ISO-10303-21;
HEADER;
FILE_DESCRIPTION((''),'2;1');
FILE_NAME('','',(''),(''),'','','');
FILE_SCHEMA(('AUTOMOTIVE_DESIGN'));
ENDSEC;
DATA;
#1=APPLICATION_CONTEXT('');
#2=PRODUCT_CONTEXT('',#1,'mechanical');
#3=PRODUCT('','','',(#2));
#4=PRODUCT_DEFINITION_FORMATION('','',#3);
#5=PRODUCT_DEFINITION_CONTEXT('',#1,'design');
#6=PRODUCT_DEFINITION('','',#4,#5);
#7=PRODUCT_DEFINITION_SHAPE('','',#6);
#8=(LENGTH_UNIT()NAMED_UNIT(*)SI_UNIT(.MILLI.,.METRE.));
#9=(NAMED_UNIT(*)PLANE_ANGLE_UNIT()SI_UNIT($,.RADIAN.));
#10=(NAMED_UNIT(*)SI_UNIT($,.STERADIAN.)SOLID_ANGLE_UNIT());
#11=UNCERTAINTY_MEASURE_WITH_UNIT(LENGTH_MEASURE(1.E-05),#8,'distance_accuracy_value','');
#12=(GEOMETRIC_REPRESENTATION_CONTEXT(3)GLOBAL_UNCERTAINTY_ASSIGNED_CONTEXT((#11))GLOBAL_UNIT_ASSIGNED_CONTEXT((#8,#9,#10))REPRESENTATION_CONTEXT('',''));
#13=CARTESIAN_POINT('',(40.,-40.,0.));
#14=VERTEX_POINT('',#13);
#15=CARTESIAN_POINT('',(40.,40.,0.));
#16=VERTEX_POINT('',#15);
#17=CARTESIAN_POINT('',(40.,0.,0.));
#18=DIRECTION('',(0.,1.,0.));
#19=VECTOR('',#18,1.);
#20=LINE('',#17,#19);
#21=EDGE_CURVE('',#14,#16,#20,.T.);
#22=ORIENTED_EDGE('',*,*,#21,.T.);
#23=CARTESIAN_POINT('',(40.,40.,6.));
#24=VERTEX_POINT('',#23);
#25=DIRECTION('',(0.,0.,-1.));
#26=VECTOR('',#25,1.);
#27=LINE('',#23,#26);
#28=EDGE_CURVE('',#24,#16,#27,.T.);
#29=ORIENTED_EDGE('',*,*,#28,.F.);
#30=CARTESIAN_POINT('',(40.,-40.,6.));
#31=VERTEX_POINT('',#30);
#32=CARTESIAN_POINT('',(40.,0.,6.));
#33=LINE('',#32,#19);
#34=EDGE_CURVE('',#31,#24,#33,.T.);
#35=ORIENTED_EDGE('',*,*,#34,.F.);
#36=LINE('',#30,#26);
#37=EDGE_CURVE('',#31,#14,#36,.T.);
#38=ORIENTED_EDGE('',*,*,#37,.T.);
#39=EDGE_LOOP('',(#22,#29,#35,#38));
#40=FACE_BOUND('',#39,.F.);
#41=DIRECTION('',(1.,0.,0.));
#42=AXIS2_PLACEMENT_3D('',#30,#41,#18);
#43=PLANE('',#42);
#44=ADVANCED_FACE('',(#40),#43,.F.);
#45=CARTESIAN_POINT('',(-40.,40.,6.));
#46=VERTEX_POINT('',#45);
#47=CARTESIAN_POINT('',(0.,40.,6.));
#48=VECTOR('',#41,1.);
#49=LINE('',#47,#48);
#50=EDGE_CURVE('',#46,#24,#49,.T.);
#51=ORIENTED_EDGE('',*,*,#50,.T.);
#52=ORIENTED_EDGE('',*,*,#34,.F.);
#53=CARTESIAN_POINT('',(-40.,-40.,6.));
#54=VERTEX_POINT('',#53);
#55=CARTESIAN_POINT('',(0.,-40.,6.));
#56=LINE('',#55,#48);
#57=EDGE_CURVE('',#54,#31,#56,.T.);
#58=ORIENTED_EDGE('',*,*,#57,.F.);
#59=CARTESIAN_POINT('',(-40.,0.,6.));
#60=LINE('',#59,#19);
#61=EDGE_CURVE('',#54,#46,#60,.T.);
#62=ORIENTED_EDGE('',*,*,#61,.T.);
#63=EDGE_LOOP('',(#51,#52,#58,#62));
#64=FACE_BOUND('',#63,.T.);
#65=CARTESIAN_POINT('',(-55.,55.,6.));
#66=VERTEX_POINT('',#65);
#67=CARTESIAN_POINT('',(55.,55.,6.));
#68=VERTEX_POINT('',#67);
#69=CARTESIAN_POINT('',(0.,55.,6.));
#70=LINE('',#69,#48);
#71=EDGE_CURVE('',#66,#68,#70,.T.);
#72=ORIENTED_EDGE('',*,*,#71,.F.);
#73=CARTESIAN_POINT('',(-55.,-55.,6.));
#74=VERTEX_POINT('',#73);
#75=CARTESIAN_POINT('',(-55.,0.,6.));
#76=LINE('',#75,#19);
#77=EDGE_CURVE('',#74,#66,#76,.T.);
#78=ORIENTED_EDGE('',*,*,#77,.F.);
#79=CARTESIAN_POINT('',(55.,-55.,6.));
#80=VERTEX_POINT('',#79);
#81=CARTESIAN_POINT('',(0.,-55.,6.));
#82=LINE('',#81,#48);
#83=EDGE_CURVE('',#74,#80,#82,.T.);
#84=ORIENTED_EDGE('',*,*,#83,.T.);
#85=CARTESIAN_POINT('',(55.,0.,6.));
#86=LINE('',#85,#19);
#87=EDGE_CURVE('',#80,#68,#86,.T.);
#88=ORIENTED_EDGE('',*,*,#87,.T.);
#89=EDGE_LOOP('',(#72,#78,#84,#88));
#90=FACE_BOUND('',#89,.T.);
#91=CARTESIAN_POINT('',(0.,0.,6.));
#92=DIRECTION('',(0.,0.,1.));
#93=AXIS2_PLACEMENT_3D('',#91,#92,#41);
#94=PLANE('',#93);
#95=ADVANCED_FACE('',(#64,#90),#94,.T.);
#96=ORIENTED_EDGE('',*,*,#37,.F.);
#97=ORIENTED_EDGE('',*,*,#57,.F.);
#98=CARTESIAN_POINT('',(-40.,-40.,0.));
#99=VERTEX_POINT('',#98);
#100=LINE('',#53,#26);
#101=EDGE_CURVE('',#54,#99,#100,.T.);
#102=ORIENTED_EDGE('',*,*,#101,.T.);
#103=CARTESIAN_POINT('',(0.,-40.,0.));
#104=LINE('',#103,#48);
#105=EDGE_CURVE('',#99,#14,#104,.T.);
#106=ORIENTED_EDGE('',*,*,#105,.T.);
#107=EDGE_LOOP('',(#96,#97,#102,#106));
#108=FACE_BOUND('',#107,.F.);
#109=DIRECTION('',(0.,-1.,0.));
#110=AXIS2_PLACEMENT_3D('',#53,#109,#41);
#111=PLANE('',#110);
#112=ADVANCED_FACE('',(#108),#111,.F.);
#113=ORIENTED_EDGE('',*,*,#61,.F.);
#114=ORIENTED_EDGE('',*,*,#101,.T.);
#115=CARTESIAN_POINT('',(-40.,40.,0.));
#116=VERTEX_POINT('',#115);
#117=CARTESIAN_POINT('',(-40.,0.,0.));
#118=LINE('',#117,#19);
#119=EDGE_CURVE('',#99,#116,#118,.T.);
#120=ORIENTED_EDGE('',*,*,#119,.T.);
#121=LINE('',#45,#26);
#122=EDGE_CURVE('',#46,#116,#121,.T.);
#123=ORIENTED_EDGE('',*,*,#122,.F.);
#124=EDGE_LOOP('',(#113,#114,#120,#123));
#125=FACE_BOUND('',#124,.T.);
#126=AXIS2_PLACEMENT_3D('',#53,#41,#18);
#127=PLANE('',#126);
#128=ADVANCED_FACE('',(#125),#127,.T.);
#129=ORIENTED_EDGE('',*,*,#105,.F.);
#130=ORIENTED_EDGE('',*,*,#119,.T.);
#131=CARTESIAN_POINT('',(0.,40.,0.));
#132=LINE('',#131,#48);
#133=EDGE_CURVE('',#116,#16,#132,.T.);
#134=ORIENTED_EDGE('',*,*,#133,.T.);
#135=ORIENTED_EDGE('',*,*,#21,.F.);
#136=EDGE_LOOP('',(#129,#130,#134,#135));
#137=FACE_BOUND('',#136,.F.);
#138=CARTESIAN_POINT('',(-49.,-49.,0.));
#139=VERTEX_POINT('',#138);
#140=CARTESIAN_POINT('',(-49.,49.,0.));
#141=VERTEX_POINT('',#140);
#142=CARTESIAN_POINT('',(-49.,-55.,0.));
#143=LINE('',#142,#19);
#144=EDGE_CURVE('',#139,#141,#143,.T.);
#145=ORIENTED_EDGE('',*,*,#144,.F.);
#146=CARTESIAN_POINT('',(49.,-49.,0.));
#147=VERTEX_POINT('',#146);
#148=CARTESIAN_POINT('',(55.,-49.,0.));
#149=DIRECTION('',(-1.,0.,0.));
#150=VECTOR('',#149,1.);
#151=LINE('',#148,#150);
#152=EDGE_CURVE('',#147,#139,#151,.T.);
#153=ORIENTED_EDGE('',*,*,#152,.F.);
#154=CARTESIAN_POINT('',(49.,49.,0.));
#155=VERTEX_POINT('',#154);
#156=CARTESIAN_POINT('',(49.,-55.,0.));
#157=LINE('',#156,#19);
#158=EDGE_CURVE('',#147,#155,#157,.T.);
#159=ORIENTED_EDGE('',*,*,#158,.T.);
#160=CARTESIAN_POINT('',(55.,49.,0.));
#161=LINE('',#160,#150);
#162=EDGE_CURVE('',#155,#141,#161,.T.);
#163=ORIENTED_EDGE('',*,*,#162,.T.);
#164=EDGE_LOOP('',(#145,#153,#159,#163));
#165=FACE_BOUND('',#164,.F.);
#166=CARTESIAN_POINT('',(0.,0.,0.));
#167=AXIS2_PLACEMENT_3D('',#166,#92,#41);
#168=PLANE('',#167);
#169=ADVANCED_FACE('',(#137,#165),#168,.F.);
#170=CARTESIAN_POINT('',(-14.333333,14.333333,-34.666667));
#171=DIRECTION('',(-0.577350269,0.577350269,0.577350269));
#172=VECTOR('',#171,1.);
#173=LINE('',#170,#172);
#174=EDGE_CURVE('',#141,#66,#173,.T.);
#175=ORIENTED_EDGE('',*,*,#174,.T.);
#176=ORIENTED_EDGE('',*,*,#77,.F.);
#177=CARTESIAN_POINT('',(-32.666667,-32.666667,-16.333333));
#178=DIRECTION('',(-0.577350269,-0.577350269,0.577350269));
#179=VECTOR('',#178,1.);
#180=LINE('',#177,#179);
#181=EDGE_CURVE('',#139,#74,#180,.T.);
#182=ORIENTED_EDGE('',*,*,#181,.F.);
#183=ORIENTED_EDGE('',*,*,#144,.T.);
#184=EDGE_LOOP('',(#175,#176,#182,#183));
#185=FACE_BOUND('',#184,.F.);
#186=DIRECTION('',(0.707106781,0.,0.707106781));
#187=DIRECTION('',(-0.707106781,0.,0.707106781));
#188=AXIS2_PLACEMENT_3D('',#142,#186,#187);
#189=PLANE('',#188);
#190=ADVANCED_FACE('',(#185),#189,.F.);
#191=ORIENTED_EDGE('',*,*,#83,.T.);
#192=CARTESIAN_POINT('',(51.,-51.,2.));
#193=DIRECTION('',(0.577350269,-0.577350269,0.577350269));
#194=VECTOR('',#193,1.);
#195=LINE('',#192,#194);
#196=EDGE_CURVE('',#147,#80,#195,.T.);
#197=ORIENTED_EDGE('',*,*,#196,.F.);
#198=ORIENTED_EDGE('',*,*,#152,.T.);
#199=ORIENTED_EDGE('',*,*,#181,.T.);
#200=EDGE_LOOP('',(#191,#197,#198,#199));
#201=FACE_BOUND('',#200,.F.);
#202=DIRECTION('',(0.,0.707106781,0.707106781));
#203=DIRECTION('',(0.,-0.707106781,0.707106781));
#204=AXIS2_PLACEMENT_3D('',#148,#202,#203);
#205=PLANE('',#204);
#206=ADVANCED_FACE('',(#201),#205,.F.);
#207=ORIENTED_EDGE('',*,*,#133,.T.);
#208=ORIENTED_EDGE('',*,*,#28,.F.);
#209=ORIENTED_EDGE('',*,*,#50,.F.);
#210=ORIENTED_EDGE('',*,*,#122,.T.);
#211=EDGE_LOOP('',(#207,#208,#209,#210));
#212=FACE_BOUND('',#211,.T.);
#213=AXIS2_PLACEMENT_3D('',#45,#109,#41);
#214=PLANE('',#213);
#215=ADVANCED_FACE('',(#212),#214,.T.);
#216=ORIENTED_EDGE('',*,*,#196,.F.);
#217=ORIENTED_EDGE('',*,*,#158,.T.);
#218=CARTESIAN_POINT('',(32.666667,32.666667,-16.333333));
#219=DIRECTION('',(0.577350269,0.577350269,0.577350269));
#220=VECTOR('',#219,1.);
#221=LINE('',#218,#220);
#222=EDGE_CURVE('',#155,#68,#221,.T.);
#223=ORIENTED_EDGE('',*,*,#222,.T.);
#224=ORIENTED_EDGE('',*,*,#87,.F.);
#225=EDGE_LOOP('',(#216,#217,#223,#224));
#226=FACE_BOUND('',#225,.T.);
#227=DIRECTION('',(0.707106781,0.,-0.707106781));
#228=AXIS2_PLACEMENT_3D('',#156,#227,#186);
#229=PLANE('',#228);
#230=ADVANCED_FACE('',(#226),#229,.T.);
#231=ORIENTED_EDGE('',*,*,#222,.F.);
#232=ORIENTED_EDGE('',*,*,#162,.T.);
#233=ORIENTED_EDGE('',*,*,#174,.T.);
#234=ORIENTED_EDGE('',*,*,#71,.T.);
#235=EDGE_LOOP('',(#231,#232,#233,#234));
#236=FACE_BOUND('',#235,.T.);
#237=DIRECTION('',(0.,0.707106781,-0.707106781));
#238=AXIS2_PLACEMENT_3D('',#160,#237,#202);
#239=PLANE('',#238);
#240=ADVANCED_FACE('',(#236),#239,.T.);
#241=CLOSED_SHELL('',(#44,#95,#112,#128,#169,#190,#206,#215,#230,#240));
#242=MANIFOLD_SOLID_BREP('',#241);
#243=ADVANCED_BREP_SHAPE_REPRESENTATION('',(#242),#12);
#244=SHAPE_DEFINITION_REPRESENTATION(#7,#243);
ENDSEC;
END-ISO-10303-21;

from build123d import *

# Parameters (mm, degrees)
SKETCH_W        = 110
SKETCH_H        = 110
PAD_DEPTH       = 6
POCKET_DEPTH    = 110
POCKET001_DEPTH = 110
SKETCH003_W     = 80
SKETCH003_H     = 80
POCKET002_DEPTH = 6


with BuildPart() as part:
    # Sketch → Pad (new body)
    with BuildSketch(Plane.XY):
        Rectangle(SKETCH_W, SKETCH_H)
    extrude(amount=PAD_DEPTH)

    # Sketch002 (on Face3 of Pad) → Pocket (cut)
    with BuildSketch(Plane.XZ.offset(55)):
        Polygon((55, 6), (55, 0), (49, 0), align=None)
        Polygon((-55, 6), (-55, 0), (-49, 0), align=None)
    extrude(amount=-POCKET_DEPTH, mode=Mode.SUBTRACT)

    # Sketch001 (on Face2 of Pad) → Pocket001 (cut)
    with BuildSketch(Plane.YZ.offset(55)):
        Polygon((55, 6), (55, 0), (49, 0), align=None)
        Polygon((-55, 6), (-55, 0), (-49, 0), align=None)
    extrude(amount=-POCKET001_DEPTH, mode=Mode.SUBTRACT)

    # Sketch003 (on Face1 of Pocket001) → Pocket002 (cut)
    with BuildSketch(Plane.XY.offset(6)):
        Rectangle(SKETCH003_W, SKETCH003_H)
    extrude(amount=-POCKET002_DEPTH, mode=Mode.SUBTRACT)


solid = part.part
